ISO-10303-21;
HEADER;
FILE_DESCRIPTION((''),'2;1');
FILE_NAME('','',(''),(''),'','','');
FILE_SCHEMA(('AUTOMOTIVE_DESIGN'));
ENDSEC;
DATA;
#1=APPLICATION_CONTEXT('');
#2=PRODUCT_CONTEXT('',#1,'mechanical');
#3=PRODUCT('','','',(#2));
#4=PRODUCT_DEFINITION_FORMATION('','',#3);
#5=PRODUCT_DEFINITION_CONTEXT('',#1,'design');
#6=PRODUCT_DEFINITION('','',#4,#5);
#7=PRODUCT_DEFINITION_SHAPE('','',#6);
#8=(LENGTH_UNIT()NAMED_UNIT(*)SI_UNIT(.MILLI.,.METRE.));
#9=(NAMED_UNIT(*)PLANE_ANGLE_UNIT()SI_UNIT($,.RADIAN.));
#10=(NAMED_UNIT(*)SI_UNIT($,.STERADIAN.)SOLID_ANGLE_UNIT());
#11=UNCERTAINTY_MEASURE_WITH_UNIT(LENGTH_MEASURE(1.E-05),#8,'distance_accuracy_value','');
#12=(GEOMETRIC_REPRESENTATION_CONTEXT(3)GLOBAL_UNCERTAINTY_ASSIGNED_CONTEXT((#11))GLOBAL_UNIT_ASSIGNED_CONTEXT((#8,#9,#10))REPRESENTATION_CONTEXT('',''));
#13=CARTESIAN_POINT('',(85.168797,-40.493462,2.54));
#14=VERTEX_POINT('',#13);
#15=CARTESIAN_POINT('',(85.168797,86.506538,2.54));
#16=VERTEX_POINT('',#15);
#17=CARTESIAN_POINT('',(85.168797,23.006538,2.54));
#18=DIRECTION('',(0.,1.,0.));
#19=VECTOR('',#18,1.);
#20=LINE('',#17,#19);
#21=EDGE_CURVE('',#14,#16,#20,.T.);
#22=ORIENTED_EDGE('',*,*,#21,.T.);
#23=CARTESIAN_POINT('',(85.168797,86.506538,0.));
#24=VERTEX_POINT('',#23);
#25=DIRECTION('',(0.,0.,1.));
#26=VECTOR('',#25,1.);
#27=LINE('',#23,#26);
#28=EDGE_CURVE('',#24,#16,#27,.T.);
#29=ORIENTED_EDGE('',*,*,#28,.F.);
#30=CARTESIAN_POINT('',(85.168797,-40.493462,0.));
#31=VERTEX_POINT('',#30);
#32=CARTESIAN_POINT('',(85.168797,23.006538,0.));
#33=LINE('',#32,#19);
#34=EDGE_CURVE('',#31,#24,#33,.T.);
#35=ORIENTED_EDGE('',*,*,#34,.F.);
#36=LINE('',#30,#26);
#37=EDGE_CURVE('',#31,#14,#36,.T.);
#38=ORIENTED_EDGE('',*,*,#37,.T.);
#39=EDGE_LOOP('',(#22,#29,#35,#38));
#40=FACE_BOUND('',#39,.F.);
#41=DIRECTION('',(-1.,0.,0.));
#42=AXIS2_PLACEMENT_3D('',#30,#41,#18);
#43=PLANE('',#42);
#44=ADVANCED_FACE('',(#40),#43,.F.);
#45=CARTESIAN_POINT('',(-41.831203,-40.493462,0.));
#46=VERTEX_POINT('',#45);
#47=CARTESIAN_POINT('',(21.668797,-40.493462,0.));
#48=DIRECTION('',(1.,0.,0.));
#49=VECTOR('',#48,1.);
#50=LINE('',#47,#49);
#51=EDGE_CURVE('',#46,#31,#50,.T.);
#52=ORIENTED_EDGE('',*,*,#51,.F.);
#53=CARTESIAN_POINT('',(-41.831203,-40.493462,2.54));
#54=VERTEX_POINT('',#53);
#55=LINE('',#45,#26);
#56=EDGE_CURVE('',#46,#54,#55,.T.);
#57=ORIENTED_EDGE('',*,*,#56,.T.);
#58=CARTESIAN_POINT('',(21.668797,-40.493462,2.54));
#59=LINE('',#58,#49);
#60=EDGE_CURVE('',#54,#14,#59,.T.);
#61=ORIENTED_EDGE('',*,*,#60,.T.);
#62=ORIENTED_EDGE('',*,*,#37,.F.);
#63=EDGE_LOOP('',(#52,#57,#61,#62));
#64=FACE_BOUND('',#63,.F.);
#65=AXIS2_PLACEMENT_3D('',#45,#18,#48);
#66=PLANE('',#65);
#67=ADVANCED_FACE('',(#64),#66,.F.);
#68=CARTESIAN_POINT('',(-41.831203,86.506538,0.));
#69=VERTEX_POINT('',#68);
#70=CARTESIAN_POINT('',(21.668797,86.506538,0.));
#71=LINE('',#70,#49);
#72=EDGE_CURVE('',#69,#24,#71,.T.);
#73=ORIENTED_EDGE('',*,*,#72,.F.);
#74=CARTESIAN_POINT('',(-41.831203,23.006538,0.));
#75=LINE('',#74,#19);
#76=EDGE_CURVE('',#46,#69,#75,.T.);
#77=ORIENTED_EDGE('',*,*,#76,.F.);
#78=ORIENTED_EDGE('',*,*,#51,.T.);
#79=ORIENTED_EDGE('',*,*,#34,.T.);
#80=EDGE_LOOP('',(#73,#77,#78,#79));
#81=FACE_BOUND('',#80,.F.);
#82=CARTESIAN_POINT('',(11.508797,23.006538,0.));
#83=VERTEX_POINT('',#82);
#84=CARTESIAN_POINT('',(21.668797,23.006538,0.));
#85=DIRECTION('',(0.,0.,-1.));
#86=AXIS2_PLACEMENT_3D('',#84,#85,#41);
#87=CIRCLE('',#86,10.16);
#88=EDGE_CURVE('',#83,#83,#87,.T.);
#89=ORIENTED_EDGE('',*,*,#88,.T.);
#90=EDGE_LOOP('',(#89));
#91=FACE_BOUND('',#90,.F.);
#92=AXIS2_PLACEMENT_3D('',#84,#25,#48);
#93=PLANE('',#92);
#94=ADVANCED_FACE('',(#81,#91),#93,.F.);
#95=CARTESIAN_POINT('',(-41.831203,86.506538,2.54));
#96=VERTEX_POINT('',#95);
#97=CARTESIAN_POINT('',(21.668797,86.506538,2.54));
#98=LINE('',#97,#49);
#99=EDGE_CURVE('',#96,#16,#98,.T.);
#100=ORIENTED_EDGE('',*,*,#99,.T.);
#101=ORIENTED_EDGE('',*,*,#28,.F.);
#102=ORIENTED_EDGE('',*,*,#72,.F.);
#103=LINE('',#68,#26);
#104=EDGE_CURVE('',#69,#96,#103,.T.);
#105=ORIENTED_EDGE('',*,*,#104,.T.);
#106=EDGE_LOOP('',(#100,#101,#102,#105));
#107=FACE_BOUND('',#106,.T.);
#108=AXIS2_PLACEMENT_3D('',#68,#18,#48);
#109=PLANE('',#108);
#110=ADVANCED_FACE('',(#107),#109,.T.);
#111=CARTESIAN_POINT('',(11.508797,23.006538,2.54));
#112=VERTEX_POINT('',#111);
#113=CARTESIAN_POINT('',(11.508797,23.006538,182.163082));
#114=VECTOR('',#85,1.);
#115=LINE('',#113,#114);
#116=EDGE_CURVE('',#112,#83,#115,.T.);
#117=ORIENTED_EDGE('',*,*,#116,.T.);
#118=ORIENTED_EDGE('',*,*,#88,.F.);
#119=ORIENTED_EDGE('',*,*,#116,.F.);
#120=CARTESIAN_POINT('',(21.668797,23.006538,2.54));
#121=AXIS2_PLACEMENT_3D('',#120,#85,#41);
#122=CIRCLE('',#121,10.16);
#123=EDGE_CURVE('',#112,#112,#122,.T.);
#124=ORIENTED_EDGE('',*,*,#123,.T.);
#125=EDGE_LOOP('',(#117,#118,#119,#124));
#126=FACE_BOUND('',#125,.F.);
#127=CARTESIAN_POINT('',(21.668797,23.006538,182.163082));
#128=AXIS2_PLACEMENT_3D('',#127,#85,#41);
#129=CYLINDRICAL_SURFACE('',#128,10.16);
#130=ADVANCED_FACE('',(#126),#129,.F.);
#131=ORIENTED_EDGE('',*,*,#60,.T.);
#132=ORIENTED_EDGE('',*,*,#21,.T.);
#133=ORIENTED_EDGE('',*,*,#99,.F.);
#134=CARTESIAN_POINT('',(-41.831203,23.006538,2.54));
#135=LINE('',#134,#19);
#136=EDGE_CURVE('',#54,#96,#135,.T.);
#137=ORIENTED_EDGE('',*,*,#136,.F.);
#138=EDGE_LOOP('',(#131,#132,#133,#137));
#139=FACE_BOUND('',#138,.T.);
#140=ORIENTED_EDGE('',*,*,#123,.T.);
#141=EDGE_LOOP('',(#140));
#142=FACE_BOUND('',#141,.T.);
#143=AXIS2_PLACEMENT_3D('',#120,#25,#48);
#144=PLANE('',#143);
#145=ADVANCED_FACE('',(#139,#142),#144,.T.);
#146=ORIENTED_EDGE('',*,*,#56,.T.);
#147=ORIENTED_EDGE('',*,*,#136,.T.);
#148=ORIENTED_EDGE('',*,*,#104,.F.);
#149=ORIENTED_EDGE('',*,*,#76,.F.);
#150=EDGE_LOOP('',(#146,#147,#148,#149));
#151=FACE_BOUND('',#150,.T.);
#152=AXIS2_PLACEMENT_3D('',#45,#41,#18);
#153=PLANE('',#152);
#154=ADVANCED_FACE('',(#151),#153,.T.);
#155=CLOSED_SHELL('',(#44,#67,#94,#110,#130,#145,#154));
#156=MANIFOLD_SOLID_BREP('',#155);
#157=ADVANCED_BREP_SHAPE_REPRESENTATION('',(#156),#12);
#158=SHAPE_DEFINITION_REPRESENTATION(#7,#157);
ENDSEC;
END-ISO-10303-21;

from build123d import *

# Parameters (mm, degrees)
F0_W     = 127
F0_H     = 127
F1_DEPTH = 2.54
F3_D     = 20.32


with BuildPart() as f1:
    # F0 (on Top) → F1 (new body)
    with BuildSketch(Plane.XY):
        with Locations((21.668797, 23.006538)):
            Rectangle(F0_W, F0_H)
    extrude(amount=F1_DEPTH)

    # F3 (through all)
    with Locations(Plane.XY.offset(2.54)):
        with Locations((21.668797, 23.006538)):
            Hole(F3_D / 2)


solid = f1.part
